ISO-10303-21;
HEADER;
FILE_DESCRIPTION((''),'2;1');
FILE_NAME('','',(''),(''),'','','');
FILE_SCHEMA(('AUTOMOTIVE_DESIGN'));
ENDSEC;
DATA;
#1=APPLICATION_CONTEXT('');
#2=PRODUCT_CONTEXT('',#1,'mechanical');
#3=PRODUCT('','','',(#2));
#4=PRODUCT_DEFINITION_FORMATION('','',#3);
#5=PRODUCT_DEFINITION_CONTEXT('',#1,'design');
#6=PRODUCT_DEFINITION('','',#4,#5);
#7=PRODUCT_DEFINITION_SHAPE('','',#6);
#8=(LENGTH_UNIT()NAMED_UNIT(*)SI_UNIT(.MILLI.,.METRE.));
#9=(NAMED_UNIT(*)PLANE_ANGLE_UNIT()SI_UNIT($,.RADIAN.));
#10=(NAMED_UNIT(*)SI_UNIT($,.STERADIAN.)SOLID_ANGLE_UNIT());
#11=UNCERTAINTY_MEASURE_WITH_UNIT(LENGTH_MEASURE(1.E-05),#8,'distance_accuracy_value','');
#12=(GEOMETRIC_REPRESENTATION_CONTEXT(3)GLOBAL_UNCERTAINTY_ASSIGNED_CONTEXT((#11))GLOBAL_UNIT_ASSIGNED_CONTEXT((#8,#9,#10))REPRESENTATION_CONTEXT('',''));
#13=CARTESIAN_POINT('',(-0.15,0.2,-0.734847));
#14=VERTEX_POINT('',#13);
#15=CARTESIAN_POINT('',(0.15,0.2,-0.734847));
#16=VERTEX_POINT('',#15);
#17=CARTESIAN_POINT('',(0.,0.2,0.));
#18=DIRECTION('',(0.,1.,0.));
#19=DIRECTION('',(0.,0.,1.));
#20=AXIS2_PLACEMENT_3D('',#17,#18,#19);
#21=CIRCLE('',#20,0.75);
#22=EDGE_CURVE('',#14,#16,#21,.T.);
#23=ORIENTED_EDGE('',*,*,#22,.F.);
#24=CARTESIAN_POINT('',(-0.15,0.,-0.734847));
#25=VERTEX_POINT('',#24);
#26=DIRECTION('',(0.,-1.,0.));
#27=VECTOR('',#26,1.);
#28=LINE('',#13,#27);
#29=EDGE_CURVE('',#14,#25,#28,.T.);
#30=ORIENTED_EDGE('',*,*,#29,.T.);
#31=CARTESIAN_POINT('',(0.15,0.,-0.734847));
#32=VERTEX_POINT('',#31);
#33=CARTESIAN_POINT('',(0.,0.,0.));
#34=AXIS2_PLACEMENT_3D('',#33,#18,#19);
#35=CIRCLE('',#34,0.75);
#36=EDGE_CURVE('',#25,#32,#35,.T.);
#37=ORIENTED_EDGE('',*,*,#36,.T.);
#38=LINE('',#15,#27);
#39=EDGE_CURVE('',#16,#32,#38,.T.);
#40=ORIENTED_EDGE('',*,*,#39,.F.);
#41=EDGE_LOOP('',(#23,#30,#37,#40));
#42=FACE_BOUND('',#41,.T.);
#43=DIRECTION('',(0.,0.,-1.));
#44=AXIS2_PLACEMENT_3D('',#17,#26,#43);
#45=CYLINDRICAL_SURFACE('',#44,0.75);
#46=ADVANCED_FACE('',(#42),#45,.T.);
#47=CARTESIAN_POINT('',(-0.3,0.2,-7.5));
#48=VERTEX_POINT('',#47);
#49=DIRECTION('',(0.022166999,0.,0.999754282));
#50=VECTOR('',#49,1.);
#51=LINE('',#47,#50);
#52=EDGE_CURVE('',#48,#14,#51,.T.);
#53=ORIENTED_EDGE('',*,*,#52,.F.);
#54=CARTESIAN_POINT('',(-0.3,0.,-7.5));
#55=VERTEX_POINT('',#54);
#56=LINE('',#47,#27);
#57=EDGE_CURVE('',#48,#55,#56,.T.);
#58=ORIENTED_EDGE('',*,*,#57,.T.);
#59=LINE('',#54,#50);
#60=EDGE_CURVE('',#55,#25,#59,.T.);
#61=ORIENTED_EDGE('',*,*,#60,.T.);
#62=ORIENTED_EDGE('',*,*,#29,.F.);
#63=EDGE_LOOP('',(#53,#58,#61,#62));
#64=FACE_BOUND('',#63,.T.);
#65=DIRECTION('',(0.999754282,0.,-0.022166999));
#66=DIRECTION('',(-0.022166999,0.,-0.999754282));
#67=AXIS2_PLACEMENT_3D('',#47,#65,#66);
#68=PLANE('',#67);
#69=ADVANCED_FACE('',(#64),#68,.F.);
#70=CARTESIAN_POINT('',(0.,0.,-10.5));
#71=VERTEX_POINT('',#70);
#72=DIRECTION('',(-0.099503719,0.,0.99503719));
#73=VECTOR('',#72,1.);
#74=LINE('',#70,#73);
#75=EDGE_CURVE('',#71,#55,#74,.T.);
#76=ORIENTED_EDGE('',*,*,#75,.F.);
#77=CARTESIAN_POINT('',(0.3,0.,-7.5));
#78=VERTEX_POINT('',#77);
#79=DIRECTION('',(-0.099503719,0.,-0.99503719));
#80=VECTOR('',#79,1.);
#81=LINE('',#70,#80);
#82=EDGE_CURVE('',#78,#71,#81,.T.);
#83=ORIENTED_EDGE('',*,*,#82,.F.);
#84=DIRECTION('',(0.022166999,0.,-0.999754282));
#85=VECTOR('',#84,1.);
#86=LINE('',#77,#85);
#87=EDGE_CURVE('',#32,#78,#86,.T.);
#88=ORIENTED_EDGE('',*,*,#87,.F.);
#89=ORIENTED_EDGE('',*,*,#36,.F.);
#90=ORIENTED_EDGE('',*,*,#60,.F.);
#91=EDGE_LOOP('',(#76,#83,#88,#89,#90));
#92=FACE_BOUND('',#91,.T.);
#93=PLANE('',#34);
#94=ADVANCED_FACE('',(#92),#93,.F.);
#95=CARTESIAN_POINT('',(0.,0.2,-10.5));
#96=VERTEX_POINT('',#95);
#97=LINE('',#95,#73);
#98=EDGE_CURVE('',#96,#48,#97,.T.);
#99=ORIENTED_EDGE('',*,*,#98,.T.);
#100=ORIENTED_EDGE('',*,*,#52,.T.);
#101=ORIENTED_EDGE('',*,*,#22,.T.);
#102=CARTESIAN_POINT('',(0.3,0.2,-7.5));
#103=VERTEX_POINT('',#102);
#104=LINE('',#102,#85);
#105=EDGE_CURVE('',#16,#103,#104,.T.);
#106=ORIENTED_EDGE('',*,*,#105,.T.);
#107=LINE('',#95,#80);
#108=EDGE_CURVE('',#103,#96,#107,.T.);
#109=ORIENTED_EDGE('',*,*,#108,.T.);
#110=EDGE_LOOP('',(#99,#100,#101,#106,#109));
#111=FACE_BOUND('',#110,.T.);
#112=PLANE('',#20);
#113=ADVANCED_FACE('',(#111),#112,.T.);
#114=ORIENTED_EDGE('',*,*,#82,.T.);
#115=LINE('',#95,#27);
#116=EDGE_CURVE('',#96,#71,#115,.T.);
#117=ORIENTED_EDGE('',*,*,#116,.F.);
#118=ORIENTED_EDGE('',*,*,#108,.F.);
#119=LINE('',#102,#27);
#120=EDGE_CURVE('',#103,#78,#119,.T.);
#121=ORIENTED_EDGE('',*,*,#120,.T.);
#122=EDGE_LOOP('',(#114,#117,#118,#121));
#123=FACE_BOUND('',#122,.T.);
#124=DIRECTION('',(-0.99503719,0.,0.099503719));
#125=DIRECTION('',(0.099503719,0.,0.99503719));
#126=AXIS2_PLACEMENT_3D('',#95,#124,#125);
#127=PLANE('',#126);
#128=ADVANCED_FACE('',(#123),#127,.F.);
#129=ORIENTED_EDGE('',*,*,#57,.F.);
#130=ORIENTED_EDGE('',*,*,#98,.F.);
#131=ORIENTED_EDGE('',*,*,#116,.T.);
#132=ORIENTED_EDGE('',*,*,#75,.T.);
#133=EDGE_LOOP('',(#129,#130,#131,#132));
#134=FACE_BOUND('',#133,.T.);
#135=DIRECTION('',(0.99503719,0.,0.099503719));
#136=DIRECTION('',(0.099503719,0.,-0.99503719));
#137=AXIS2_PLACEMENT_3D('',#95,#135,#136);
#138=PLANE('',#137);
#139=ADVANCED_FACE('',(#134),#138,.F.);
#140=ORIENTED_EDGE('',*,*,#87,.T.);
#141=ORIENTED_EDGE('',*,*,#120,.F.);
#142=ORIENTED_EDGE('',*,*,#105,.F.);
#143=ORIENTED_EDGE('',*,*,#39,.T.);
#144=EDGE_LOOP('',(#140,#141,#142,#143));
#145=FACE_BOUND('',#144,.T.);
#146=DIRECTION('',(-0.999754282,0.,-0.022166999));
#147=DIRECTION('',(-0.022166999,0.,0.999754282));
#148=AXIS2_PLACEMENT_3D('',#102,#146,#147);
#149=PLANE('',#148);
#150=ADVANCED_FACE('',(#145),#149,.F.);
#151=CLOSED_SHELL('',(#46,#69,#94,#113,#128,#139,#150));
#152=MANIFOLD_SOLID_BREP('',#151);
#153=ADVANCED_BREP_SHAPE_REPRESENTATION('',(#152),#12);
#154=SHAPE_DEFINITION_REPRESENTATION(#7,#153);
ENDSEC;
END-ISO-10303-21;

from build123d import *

# Parameters (mm, degrees)
EXTRUDE1_DEPTH = 0.2


with BuildPart() as part:
    # Sketch1 → Extrude1 (new body)
    with BuildSketch(Plane(origin=(0, 0, 0), x_dir=(1, 0, 0), z_dir=(0, 1, 0))):
        with BuildLine():
            Line((0, 10.5), (0.3, 7.5))
            Line((0.3, 7.5), (0.15, 0.734846923))
            ThreePointArc((0.15, 0.734846923), (0, -0.75), (-0.15, 0.734846923))
            Line((-0.15, 0.734846923), (-0.3, 7.5))
            Line((-0.3, 7.5), (0, 10.5))
        make_face()
    extrude(amount=EXTRUDE1_DEPTH)


solid = part.part
